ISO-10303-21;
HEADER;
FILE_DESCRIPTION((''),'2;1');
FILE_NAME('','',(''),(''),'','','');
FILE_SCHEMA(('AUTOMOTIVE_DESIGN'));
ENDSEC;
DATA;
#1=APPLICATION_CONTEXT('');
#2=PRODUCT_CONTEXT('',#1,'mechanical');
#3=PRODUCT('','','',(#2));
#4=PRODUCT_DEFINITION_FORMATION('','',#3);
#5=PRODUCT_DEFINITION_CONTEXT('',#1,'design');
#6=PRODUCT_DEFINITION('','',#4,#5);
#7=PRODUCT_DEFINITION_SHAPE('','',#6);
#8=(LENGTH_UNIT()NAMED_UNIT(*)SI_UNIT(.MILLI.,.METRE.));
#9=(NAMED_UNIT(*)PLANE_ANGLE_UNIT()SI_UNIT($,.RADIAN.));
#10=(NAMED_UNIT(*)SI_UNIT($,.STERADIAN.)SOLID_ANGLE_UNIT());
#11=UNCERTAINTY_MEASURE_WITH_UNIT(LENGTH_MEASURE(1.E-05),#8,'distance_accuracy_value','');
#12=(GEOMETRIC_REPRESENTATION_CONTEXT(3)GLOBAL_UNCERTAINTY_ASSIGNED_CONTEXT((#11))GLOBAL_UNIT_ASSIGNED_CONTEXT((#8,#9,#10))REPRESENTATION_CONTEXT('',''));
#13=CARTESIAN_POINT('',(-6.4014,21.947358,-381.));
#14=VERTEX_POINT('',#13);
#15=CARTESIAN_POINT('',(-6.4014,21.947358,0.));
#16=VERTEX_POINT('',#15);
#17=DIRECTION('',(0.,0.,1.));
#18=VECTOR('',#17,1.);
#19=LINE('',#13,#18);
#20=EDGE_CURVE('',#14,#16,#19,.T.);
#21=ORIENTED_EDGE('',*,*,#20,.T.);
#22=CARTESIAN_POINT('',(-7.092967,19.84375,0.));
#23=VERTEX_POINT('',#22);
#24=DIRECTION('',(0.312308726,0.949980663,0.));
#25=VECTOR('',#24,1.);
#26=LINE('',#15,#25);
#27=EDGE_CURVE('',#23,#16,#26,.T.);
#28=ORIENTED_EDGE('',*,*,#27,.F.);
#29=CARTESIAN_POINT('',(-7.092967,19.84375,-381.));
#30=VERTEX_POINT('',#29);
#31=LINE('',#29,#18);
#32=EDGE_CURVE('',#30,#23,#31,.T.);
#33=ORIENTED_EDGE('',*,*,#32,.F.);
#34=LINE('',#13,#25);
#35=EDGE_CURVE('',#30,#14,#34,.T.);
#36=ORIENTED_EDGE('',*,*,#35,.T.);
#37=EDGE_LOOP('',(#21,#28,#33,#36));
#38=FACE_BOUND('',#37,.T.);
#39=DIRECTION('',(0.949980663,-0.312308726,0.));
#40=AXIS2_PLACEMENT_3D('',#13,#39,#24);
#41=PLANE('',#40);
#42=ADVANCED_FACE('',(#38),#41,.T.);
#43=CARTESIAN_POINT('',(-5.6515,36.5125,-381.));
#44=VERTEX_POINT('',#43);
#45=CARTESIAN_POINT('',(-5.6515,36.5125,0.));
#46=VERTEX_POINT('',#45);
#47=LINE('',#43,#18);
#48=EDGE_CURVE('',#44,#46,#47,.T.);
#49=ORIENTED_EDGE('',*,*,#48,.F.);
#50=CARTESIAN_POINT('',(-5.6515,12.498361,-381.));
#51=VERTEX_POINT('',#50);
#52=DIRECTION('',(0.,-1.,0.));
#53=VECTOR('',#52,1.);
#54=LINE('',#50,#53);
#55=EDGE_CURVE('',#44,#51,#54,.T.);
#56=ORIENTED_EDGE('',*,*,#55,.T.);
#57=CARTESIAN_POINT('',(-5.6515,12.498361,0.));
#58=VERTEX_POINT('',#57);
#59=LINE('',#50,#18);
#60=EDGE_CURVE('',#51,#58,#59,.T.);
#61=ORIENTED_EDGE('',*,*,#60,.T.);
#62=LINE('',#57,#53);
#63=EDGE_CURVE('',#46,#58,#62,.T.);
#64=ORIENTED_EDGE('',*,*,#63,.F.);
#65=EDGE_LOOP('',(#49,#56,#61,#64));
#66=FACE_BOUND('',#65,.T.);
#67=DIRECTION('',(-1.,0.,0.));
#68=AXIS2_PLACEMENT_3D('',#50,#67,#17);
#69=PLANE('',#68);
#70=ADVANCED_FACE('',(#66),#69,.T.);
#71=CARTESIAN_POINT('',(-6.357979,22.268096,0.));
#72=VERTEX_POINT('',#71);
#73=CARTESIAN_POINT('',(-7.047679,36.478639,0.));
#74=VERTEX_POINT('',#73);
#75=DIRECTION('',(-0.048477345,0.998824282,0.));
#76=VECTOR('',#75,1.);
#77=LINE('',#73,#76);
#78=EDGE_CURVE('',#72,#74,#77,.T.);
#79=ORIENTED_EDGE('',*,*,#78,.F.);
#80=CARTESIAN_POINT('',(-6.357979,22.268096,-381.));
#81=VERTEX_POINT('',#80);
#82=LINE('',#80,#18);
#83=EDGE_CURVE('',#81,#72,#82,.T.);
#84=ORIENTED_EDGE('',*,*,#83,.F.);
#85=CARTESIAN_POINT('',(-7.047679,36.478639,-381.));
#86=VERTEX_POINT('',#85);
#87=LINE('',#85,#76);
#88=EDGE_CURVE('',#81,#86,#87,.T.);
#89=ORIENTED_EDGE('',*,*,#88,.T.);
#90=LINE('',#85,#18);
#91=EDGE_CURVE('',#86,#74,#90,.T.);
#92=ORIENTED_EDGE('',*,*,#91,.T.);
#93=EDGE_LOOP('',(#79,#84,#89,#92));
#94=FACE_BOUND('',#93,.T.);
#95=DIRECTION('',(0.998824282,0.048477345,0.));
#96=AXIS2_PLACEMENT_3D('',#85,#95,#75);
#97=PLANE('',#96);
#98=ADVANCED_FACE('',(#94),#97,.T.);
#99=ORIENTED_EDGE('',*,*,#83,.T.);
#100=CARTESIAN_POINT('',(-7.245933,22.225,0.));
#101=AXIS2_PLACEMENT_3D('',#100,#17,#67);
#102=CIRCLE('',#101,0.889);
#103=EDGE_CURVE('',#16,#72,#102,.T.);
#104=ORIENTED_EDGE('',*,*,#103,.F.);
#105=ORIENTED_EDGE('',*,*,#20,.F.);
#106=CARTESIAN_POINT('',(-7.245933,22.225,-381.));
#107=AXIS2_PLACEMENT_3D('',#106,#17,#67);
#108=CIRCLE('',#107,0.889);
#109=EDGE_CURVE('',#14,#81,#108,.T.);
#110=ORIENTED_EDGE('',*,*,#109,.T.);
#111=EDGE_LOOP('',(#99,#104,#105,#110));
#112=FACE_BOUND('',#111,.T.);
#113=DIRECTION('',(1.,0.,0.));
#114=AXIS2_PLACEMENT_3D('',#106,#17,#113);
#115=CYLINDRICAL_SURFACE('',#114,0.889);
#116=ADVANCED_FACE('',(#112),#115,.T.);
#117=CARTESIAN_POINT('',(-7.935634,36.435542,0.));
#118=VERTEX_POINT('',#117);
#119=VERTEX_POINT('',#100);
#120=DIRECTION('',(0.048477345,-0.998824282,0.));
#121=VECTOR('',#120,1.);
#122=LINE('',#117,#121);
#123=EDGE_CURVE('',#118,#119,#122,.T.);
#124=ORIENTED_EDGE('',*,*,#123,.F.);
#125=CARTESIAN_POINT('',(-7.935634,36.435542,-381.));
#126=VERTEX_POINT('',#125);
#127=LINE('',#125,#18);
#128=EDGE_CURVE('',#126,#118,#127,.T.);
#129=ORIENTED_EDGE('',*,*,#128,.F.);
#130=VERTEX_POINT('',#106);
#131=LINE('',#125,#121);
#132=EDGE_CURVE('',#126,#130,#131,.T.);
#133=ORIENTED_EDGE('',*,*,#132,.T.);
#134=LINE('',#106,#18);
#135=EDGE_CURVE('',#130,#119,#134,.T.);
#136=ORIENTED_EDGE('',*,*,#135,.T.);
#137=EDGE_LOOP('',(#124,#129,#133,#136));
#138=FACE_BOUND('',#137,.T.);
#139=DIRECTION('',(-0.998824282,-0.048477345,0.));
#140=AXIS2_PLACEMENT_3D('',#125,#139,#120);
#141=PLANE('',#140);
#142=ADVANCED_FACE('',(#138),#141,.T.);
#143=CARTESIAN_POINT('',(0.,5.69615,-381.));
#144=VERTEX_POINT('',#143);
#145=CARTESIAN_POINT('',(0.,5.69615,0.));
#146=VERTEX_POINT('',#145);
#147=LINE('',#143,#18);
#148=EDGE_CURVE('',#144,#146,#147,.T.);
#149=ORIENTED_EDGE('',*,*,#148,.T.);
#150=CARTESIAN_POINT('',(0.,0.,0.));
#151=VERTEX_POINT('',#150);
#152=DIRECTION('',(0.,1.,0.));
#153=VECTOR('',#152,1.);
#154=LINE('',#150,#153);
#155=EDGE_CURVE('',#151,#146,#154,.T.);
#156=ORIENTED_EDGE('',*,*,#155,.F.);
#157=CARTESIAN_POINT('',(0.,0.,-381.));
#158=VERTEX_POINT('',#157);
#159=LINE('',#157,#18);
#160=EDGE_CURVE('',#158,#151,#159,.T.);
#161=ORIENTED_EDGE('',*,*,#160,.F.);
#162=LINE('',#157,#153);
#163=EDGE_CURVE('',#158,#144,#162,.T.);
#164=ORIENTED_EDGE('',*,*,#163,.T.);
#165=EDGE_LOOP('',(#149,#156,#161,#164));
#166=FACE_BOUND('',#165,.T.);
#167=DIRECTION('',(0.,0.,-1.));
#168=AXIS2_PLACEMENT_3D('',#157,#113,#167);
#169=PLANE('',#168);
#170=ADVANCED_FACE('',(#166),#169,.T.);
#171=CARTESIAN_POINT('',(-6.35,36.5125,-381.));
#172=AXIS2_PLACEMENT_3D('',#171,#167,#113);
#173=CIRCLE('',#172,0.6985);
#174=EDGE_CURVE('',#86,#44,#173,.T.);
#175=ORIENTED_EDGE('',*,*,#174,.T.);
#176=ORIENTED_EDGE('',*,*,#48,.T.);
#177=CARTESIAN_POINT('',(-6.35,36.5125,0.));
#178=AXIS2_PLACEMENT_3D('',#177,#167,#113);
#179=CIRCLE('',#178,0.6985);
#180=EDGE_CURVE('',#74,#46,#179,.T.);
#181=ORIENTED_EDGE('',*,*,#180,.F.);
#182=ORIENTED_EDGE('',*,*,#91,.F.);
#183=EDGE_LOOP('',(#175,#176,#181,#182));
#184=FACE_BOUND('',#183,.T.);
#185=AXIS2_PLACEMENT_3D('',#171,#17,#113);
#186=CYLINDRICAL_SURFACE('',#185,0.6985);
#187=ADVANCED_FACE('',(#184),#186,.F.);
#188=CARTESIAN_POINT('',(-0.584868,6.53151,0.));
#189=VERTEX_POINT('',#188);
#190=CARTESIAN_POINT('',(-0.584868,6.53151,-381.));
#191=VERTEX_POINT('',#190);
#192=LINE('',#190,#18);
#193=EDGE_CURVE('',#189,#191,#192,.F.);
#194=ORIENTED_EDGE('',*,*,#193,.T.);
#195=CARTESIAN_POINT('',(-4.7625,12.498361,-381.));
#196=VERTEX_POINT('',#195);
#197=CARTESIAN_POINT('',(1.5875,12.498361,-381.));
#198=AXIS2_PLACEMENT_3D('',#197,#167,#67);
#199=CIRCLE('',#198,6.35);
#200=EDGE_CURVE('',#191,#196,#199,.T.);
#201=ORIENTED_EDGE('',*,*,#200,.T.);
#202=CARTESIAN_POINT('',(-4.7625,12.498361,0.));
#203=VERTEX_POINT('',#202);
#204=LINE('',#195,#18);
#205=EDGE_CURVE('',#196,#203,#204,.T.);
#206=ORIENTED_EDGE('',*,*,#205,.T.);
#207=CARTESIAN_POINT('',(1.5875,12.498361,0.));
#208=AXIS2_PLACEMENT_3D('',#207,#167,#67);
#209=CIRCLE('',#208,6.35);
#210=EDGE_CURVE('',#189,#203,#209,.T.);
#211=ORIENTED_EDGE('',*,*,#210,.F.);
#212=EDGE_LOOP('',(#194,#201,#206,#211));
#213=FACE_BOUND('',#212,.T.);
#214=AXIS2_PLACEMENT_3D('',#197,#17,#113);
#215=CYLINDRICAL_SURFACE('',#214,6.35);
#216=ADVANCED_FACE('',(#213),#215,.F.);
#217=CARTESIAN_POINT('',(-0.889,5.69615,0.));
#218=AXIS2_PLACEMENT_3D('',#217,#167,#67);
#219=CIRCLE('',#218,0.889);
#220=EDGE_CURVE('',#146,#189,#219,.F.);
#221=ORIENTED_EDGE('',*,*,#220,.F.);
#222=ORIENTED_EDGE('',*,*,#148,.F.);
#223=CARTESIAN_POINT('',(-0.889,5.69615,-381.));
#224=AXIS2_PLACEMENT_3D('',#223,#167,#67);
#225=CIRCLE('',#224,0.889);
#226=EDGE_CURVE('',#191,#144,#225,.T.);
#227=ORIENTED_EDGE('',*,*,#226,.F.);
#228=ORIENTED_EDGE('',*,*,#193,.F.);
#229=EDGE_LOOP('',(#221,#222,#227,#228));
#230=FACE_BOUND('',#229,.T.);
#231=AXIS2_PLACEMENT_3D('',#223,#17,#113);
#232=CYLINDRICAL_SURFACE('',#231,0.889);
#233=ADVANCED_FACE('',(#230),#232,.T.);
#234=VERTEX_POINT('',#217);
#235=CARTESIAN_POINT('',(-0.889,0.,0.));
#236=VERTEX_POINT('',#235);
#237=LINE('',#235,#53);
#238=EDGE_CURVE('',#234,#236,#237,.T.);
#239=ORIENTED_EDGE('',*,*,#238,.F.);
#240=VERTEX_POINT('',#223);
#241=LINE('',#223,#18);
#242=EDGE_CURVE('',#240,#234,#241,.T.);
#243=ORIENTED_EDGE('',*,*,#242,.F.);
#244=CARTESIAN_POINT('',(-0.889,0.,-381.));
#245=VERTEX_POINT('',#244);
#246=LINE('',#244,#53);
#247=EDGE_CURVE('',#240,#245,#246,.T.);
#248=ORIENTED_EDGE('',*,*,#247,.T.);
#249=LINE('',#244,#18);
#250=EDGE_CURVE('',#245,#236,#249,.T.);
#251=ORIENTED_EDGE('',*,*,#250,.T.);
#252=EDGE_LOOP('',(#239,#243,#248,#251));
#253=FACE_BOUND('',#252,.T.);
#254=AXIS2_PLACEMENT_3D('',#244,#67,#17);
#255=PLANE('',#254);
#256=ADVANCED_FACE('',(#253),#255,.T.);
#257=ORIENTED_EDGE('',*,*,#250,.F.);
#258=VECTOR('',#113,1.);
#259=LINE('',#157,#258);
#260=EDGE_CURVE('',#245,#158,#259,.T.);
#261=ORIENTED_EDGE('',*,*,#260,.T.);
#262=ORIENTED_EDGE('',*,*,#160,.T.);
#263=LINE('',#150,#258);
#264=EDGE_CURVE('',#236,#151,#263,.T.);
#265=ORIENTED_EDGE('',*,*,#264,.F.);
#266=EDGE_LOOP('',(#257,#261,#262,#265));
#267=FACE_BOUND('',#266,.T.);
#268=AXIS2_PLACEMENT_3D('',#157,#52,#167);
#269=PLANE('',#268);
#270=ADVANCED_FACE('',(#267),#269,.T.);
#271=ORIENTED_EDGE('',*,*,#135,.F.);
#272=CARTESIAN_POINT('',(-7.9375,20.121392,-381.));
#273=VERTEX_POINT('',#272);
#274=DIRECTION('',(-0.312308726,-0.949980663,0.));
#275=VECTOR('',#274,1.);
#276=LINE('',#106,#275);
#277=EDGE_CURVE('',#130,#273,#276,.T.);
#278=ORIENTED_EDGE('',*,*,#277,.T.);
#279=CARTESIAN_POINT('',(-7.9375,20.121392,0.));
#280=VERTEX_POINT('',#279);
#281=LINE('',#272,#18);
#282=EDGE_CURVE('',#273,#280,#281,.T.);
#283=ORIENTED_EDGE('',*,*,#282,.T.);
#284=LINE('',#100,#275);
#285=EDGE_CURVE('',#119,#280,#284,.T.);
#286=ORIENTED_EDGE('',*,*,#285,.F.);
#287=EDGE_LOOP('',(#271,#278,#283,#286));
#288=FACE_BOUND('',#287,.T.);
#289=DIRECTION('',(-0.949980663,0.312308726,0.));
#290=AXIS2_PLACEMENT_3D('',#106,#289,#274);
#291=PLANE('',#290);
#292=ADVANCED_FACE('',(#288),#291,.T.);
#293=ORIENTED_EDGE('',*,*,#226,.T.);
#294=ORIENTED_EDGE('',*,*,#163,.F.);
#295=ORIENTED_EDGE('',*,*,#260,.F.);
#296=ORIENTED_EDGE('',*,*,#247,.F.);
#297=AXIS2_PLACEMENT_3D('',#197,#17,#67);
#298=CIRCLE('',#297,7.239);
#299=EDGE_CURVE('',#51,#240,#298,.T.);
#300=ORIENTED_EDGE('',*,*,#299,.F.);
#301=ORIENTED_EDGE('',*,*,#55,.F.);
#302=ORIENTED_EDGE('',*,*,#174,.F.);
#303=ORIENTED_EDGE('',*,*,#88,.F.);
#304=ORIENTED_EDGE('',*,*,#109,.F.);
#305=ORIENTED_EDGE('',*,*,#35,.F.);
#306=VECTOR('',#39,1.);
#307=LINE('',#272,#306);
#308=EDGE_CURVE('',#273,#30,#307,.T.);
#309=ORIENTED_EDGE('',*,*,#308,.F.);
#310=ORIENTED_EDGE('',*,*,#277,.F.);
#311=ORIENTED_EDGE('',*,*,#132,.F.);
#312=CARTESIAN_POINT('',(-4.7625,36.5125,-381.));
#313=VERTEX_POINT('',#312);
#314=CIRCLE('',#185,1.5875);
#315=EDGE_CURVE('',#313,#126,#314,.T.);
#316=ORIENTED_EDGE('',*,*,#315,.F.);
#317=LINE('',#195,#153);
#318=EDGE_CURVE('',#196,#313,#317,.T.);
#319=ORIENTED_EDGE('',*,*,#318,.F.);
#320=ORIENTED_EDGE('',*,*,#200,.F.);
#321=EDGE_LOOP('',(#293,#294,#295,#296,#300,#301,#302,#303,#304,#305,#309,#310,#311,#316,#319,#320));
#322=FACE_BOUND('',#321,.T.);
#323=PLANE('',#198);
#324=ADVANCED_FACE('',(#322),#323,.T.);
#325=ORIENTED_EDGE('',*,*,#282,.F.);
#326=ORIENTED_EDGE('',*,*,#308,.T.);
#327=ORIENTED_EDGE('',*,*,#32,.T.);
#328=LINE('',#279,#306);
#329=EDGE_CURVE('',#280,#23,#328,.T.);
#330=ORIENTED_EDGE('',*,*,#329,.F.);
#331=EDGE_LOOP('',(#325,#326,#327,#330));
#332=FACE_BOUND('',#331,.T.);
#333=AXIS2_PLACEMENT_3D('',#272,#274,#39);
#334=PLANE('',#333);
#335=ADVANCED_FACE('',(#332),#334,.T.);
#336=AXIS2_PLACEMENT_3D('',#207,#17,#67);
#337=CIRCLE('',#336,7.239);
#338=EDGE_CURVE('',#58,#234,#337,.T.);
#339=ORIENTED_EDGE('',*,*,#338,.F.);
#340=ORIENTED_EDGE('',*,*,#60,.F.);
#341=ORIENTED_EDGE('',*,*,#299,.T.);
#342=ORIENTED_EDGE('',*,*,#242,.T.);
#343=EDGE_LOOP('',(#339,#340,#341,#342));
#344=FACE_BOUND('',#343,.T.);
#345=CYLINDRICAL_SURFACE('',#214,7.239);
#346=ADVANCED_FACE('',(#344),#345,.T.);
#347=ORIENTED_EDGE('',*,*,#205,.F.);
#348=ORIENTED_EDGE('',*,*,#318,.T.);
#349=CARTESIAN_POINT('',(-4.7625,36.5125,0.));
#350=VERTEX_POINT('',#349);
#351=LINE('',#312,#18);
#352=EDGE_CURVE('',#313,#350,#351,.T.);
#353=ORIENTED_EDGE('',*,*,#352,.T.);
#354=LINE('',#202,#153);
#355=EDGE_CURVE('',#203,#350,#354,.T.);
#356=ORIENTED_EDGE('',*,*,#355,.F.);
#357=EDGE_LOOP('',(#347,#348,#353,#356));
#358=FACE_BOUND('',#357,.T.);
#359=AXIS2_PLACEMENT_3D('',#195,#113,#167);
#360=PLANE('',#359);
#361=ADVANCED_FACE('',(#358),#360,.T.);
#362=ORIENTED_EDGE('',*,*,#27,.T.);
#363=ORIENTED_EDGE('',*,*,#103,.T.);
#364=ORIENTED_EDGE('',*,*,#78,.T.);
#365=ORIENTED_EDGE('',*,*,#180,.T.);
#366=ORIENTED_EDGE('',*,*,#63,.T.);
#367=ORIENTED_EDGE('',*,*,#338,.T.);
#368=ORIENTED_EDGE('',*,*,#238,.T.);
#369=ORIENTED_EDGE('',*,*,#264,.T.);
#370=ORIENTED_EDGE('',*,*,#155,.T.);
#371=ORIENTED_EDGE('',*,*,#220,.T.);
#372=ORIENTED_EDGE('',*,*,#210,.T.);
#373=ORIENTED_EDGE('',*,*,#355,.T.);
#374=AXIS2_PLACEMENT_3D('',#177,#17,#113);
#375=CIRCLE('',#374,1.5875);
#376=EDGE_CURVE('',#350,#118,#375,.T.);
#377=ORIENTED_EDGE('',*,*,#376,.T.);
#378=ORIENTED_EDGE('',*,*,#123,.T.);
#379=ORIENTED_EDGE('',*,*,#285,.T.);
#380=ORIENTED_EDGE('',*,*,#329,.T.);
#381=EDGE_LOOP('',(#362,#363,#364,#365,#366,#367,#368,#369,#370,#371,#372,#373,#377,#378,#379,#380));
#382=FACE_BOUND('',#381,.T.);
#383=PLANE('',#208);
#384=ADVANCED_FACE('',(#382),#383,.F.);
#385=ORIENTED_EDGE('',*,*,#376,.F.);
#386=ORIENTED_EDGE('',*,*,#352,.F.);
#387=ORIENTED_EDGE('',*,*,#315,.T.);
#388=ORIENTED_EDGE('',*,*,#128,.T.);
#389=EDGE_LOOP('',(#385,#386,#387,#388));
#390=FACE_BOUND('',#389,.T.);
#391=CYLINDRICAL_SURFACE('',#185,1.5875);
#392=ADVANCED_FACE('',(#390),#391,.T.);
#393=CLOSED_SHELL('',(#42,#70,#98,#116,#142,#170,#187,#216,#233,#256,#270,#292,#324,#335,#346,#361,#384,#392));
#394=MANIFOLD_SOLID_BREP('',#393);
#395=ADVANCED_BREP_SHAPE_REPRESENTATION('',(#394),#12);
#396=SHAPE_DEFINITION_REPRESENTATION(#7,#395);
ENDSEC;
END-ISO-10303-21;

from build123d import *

# Parameters (mm, degrees)
BOSS_EXTRUDE1_DEPTH = 381
FILLET1_R           = 0.889


with BuildPart() as part:
    # Sketch1 → Boss-Extrude1 (new body)
    with BuildSketch(Plane.XY):
        with BuildLine():
            Line((0, 0), (0, 6.35))
            ThreePointArc((0, 6.35), (-3.432615786, 8.609796095), (-4.7625, 12.498361062))
            Line((-4.7625, 12.498361062), (-4.7625, 36.5125))
            ThreePointArc((-4.7625, 36.5125), (-6.388490208, 38.099533318), (-7.935633548, 36.435542215))
            Line((-7.935633548, 36.435542215), (-7.2459333, 22.225))
            Line((-7.2459333, 22.225), (-7.9375, 20.121392457))
            Line((-7.9375, 20.121392457), (-7.092967191, 19.84375))
            Line((-7.092967191, 19.84375), (-6.401400491, 21.947357543))
            ThreePointArc((-6.401400491, 21.947357543), (-6.364969814, 22.105734183), (-6.357978513, 22.26809636))
            Line((-6.357978513, 22.26809636), (-7.047678761, 36.478638575))
            ThreePointArc((-7.047678761, 36.478638575), (-6.366935691, 37.21079466), (-5.6515, 36.5125))
            Line((-5.6515, 36.5125), (-5.6515, 12.498361062))
            ThreePointArc((-5.6515, 12.498361062), (-4.342529701, 8.346509818), (-0.889, 5.696150484))
            Line((-0.889, 5.696150484), (-0.889, 0))
            Line((-0.889, 0), (0, 0))
        make_face()
    extrude(amount=-BOSS_EXTRUDE1_DEPTH)

    # Fillet1
    fillet1_edges = [part.edges().sort_by_distance(p)[0] for p in [
        (0, 6.35, -190.5),
    ]]
    fillet(fillet1_edges, radius=FILLET1_R)


solid = part.part
